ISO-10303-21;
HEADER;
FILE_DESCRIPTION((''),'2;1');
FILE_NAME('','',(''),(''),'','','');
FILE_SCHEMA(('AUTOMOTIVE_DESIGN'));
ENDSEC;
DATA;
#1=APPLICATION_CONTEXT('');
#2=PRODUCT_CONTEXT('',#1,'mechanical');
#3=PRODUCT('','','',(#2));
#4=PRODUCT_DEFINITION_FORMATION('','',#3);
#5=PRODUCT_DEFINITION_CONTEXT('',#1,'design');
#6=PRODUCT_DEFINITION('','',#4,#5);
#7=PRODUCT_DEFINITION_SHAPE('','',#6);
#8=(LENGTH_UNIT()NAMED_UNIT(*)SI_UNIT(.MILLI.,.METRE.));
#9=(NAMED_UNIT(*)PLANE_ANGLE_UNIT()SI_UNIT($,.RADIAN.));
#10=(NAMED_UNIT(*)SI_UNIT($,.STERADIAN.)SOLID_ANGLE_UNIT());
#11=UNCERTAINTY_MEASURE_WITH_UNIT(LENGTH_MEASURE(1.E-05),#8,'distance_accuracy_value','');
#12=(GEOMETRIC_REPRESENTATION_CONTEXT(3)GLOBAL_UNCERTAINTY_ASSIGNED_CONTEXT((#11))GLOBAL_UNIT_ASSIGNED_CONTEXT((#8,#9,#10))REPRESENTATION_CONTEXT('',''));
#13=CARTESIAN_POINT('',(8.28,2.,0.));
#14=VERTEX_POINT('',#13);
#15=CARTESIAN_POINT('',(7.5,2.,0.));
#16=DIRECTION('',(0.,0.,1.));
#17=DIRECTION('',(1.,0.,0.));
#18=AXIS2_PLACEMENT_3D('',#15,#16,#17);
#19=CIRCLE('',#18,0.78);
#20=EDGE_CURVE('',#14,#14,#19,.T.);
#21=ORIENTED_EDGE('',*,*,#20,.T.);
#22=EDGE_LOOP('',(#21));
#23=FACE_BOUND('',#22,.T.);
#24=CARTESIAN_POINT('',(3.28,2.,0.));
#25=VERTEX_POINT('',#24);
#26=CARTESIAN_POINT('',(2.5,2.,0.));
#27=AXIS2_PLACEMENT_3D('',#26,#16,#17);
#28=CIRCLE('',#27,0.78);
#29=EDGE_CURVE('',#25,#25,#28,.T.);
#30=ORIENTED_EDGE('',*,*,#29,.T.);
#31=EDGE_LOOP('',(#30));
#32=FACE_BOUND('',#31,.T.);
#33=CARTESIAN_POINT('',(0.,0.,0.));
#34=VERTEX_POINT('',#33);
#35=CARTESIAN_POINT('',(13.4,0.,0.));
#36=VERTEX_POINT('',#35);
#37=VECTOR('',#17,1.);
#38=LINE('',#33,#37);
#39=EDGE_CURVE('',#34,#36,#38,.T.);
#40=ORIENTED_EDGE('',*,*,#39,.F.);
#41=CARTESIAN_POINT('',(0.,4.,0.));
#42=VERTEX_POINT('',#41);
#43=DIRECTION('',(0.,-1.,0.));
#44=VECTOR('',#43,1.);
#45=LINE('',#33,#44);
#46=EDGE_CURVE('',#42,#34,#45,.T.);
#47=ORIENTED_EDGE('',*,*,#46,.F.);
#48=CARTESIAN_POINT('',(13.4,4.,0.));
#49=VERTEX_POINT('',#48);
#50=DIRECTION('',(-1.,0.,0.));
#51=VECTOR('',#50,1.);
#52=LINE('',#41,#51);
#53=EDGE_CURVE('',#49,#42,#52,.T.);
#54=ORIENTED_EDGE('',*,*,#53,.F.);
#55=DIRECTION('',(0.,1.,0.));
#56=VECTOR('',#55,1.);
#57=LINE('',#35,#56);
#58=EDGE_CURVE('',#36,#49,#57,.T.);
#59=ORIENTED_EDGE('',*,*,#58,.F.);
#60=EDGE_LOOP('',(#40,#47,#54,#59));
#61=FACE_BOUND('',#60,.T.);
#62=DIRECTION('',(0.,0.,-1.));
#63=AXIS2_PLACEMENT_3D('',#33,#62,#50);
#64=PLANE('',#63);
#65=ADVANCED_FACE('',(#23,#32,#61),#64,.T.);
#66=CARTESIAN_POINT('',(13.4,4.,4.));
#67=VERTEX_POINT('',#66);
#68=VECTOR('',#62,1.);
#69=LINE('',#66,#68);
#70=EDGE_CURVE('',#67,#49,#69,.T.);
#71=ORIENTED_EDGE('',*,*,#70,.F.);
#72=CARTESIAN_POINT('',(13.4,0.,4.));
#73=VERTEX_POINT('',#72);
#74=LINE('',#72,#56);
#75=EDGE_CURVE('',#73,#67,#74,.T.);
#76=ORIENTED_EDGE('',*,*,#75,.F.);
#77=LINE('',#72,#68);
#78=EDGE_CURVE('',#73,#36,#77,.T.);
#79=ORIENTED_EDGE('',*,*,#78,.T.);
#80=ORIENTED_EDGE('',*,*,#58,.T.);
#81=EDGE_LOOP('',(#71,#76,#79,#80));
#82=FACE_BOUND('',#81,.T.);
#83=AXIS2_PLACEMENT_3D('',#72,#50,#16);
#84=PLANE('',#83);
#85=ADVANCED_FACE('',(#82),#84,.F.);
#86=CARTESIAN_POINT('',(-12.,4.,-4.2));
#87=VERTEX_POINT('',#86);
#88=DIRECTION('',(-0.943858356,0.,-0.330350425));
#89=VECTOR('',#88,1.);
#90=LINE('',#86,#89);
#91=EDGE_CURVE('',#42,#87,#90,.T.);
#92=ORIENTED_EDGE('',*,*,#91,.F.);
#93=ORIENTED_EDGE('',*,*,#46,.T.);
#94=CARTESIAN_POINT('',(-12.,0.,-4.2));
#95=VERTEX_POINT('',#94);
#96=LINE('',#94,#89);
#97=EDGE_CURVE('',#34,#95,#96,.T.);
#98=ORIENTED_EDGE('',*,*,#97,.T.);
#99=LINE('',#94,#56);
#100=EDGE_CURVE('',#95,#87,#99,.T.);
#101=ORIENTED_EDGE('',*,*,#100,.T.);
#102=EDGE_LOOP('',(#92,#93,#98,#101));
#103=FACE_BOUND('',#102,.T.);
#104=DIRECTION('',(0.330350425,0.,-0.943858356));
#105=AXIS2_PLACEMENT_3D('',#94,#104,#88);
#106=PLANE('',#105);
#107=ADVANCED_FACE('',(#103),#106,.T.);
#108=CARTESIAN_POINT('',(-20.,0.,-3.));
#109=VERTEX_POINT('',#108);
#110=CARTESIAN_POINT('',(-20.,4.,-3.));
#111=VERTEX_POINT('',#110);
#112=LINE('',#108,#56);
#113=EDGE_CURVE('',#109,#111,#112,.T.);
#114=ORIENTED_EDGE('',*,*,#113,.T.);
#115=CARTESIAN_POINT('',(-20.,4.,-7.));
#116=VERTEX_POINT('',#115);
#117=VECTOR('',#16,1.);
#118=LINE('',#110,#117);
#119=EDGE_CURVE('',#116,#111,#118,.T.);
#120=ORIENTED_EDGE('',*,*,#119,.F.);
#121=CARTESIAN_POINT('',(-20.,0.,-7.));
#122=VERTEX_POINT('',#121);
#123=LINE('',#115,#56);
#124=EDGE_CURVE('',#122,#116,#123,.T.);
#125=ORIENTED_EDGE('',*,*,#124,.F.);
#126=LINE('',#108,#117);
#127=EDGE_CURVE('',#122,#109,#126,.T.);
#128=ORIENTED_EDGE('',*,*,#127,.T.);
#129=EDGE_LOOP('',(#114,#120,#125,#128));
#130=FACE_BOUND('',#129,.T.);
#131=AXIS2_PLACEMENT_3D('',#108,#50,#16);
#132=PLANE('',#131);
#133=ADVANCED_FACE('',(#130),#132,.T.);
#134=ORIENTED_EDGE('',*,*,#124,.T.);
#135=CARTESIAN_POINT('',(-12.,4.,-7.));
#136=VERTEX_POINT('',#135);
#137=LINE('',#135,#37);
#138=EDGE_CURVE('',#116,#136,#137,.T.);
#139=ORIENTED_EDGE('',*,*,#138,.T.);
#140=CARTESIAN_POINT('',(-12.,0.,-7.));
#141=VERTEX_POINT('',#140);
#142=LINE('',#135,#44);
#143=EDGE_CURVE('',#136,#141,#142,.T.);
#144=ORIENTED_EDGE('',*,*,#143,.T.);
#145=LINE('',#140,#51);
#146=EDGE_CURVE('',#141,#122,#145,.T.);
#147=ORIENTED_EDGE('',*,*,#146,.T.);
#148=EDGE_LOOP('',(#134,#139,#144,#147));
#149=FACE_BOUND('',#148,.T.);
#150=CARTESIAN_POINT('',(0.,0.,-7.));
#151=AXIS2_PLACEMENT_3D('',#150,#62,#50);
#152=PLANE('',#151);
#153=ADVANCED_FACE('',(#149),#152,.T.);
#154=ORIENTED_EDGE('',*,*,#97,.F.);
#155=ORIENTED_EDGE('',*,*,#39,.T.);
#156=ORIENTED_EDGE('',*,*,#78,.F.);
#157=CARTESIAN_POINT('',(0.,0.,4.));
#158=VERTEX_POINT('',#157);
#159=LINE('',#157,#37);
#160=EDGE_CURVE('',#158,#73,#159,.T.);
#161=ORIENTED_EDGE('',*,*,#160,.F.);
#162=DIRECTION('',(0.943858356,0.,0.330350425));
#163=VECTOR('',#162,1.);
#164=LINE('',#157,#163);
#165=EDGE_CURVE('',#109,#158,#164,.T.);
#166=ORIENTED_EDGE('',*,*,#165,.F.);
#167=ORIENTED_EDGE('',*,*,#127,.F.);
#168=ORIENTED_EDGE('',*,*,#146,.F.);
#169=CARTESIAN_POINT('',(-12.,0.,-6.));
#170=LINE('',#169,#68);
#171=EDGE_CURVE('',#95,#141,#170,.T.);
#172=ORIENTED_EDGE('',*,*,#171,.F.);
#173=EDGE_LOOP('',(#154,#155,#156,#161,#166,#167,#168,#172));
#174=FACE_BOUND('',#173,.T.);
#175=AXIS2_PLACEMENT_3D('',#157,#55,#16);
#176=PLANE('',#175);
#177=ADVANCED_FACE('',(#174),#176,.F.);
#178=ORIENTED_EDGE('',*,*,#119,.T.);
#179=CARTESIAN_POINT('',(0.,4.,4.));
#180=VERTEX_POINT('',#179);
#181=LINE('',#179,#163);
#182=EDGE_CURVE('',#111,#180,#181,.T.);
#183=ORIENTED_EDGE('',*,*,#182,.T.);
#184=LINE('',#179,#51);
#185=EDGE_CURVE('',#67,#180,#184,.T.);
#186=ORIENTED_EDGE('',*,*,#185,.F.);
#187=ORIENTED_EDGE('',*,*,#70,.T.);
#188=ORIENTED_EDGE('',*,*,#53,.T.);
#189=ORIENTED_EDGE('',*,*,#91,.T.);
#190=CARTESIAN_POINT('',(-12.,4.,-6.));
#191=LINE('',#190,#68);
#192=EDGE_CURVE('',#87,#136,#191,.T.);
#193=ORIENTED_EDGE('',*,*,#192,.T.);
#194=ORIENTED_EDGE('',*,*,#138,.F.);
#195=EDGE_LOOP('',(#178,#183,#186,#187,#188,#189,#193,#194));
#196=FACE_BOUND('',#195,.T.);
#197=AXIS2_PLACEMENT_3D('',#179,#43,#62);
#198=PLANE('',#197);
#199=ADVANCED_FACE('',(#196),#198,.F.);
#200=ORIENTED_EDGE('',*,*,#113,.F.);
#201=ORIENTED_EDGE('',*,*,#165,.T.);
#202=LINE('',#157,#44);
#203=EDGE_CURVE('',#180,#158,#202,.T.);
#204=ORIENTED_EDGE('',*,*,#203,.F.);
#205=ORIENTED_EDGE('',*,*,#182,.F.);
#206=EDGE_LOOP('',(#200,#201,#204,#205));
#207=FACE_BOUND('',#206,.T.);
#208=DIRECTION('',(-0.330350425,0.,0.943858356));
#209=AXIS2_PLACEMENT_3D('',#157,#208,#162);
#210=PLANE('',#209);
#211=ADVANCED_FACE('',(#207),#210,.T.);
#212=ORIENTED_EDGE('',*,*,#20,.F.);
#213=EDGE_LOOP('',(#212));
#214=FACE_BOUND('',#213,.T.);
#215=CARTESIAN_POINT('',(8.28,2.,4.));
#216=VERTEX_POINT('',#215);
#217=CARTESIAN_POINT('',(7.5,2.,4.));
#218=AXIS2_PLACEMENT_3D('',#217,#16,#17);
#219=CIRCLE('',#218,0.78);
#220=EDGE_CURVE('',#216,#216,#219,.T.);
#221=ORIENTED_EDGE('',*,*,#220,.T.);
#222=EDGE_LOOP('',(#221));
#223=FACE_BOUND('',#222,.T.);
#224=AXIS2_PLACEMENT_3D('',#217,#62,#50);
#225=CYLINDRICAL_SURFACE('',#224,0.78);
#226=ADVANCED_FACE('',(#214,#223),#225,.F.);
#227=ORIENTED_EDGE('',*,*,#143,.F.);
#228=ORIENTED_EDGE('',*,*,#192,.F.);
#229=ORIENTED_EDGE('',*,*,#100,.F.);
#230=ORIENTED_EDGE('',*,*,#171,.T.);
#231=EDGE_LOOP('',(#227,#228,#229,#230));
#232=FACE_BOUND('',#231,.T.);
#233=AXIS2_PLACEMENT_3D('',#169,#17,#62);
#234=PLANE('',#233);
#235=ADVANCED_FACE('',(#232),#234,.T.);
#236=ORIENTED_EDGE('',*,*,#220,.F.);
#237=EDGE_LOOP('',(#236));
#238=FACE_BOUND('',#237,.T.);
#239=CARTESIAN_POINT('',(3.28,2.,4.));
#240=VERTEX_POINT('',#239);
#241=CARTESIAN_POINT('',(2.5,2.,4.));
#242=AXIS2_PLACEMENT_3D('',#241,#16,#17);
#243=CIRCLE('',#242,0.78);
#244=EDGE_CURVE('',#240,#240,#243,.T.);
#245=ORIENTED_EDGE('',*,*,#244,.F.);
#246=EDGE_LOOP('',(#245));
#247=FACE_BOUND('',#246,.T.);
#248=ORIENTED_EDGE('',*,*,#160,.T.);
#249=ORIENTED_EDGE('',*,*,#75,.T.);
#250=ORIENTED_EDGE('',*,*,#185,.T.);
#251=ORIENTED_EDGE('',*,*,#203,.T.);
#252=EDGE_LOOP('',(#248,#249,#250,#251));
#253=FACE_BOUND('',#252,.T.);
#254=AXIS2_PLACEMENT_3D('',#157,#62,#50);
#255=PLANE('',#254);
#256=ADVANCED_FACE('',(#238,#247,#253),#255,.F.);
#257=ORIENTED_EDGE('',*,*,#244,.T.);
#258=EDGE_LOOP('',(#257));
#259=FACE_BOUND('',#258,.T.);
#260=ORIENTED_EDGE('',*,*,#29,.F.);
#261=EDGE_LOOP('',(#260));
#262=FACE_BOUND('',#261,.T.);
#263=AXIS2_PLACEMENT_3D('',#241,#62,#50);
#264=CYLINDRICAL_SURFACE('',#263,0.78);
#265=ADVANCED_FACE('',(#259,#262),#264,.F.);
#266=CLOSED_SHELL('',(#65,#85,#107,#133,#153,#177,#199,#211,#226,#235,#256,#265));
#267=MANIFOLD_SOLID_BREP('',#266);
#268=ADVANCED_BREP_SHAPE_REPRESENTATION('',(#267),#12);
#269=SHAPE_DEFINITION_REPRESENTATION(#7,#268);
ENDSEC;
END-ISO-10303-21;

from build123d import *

# Parameters (mm, degrees)
SKETCH3_W           = 13.4
SKETCH3_H           = 4
SKETCH3_R           = 0.78
BOSS_EXTRUDE1_DEPTH = 4
BOSS_EXTRUDE2_DEPTH = 4
SKETCH5_W           = 8
SKETCH5_H           = 4
BOSS_EXTRUDE3_DEPTH = 1


with BuildPart() as part:
    # Sketch3 → Boss-Extrude1 (new body)
    with BuildSketch(Plane.XY):
        with Locations((6.7, 2)):
            Rectangle(SKETCH3_W, SKETCH3_H)
        with Locations((2.5, 2)):
            Circle(SKETCH3_R, mode=Mode.SUBTRACT)
        with Locations((7.5, 2)):
            Circle(SKETCH3_R, mode=Mode.SUBTRACT)
    extrude(amount=BOSS_EXTRUDE1_DEPTH)

    # Sketch4 → Boss-Extrude2 (add)
    with BuildSketch(Plane(origin=(0, 4, 0), x_dir=(1, 0, 0), z_dir=(0, 1, 0))):
        Polygon((0, -4), (-20, 3), (-20, 6), (-12, 6), (-12, 4.2), (0, 0), align=None)
    extrude(amount=-BOSS_EXTRUDE2_DEPTH)

    # Sketch5 → Boss-Extrude3 (add)
    with BuildSketch(Plane(origin=(0, 0, -6), x_dir=(-1, 0, 0), z_dir=(0, 0, -1))):
        with Locations((16, 2)):
            Rectangle(SKETCH5_W, SKETCH5_H)
    extrude(amount=BOSS_EXTRUDE3_DEPTH)


solid = part.part
